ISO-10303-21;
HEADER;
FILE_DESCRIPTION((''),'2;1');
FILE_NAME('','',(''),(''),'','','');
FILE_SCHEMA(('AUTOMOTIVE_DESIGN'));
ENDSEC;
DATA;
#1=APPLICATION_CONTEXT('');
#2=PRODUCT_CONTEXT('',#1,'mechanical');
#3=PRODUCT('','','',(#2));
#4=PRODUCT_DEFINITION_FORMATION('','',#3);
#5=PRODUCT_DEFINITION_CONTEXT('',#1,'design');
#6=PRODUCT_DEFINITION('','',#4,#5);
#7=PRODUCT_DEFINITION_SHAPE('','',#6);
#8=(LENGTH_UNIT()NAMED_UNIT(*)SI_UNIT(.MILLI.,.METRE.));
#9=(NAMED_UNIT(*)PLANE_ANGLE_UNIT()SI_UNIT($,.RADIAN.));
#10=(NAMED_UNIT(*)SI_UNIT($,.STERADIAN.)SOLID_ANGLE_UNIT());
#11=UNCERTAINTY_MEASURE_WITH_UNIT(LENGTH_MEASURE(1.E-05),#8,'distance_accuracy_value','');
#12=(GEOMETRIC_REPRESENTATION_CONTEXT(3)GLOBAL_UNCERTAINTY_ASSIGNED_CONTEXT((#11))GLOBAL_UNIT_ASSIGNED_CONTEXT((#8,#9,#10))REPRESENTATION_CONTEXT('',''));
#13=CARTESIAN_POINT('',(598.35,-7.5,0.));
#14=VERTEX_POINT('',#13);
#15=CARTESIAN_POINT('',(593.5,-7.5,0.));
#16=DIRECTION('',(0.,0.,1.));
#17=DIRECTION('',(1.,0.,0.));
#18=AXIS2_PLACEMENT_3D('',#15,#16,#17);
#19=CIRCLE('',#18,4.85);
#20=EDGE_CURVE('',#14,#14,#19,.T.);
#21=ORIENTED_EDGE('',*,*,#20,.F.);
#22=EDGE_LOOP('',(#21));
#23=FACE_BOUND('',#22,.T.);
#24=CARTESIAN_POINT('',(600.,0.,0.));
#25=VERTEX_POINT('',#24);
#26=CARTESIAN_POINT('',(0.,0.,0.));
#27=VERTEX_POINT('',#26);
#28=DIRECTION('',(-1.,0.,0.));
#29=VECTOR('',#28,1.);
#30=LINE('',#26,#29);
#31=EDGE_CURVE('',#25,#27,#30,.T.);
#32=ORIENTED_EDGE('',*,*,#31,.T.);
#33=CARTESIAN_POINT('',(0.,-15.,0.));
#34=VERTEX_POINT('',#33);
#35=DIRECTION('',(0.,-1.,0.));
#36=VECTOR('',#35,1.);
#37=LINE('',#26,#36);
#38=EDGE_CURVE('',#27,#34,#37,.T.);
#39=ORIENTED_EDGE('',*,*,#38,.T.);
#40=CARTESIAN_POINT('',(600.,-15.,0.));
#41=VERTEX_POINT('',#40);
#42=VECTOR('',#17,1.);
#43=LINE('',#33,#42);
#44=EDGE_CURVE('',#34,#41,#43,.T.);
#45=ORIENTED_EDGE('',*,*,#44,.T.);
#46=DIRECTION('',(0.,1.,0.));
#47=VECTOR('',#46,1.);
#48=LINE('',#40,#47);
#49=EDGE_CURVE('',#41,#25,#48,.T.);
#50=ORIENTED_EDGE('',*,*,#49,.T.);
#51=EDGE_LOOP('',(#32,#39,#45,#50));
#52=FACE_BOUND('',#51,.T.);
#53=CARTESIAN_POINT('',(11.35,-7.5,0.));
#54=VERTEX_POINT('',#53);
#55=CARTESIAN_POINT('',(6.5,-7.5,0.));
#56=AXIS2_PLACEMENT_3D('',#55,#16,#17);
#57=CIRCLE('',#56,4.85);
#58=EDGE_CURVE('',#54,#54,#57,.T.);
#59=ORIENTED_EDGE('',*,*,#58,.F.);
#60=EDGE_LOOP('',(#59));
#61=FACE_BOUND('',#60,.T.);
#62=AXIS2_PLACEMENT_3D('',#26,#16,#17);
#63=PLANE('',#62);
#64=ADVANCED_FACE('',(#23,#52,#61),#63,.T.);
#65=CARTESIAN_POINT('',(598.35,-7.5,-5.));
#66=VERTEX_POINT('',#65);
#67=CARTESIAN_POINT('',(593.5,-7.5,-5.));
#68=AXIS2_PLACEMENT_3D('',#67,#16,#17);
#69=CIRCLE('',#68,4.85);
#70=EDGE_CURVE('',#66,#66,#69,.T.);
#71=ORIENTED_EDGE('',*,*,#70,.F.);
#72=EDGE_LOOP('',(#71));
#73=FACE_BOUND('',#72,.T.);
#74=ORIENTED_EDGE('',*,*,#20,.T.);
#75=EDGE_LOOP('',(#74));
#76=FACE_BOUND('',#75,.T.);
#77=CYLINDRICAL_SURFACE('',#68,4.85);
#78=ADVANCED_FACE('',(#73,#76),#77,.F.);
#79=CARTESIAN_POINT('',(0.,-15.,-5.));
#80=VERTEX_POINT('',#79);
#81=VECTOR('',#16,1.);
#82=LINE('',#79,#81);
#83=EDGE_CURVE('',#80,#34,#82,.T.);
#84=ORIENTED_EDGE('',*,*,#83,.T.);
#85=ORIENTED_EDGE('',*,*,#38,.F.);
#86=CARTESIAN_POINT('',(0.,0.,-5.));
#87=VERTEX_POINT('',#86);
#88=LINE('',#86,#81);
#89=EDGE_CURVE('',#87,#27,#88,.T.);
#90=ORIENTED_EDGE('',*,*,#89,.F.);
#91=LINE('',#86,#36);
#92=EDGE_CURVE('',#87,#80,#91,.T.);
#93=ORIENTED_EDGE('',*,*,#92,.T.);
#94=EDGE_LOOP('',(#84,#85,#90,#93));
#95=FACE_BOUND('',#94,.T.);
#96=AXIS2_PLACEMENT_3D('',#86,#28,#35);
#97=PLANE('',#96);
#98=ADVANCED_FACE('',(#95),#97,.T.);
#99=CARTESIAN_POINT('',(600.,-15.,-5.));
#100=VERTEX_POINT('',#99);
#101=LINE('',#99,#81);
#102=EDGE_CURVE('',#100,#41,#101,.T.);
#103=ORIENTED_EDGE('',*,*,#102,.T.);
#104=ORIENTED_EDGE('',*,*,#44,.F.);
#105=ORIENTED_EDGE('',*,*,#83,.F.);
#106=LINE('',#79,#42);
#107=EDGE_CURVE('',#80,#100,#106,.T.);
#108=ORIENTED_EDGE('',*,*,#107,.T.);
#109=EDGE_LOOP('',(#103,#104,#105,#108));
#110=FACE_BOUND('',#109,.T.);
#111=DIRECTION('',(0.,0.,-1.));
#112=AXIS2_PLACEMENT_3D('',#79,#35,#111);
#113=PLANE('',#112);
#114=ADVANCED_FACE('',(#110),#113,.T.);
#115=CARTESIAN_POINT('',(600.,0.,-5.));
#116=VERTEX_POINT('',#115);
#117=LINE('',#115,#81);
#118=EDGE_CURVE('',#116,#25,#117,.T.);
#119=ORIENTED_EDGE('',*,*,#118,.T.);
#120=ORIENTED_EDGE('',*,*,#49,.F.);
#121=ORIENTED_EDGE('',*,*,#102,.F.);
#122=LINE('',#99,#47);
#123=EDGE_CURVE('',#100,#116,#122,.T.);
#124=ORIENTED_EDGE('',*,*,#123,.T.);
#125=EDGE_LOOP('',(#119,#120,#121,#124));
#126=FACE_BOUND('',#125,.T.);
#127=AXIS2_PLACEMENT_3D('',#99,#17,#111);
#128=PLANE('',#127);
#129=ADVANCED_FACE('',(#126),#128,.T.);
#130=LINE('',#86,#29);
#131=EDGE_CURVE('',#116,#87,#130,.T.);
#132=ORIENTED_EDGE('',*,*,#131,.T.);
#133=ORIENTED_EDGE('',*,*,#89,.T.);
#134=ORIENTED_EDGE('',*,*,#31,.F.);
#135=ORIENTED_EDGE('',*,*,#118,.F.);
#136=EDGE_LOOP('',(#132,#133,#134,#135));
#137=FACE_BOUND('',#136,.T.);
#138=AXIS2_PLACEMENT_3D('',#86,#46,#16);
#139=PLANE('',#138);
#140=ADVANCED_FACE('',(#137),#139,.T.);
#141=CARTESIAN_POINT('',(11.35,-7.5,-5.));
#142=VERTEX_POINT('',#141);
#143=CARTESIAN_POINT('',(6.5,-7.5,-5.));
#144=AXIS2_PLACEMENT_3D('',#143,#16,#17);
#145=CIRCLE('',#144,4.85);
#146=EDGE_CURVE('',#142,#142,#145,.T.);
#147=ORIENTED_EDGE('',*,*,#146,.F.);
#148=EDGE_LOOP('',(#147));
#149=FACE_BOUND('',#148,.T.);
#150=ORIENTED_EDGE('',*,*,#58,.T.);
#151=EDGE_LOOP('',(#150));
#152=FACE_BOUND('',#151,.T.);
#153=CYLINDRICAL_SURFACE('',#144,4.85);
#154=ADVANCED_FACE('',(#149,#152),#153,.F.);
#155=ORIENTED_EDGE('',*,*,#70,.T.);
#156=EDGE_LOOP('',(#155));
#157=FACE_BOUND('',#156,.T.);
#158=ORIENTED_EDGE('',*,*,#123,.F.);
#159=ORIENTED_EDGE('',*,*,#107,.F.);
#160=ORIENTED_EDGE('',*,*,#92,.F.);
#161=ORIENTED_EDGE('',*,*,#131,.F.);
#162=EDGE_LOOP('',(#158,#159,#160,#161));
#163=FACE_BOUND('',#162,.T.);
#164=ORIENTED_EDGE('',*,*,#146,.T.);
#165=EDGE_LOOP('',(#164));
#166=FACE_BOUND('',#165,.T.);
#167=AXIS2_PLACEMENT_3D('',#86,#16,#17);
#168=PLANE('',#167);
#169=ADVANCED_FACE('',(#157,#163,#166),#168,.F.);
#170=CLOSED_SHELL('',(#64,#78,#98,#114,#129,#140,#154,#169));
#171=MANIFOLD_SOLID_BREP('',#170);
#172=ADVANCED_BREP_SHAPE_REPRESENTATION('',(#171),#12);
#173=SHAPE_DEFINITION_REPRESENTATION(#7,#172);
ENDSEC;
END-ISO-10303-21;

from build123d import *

# Parameters (mm, degrees)
SKETCH1_W           = 600
SKETCH1_H           = 15
SKETCH1_R           = 4.85
BOSS_EXTRUDE1_DEPTH = 5


with BuildPart() as part:
    # Sketch1 → Boss-Extrude1 (new body)
    with BuildSketch(Plane.XY):
        with Locations((300, -7.5)):
            Rectangle(SKETCH1_W, SKETCH1_H)
        with Locations((6.5, -7.5)):
            Circle(SKETCH1_R, mode=Mode.SUBTRACT)
        with Locations((593.5, -7.5)):
            Circle(SKETCH1_R, mode=Mode.SUBTRACT)
    extrude(amount=-BOSS_EXTRUDE1_DEPTH)


solid = part.part
